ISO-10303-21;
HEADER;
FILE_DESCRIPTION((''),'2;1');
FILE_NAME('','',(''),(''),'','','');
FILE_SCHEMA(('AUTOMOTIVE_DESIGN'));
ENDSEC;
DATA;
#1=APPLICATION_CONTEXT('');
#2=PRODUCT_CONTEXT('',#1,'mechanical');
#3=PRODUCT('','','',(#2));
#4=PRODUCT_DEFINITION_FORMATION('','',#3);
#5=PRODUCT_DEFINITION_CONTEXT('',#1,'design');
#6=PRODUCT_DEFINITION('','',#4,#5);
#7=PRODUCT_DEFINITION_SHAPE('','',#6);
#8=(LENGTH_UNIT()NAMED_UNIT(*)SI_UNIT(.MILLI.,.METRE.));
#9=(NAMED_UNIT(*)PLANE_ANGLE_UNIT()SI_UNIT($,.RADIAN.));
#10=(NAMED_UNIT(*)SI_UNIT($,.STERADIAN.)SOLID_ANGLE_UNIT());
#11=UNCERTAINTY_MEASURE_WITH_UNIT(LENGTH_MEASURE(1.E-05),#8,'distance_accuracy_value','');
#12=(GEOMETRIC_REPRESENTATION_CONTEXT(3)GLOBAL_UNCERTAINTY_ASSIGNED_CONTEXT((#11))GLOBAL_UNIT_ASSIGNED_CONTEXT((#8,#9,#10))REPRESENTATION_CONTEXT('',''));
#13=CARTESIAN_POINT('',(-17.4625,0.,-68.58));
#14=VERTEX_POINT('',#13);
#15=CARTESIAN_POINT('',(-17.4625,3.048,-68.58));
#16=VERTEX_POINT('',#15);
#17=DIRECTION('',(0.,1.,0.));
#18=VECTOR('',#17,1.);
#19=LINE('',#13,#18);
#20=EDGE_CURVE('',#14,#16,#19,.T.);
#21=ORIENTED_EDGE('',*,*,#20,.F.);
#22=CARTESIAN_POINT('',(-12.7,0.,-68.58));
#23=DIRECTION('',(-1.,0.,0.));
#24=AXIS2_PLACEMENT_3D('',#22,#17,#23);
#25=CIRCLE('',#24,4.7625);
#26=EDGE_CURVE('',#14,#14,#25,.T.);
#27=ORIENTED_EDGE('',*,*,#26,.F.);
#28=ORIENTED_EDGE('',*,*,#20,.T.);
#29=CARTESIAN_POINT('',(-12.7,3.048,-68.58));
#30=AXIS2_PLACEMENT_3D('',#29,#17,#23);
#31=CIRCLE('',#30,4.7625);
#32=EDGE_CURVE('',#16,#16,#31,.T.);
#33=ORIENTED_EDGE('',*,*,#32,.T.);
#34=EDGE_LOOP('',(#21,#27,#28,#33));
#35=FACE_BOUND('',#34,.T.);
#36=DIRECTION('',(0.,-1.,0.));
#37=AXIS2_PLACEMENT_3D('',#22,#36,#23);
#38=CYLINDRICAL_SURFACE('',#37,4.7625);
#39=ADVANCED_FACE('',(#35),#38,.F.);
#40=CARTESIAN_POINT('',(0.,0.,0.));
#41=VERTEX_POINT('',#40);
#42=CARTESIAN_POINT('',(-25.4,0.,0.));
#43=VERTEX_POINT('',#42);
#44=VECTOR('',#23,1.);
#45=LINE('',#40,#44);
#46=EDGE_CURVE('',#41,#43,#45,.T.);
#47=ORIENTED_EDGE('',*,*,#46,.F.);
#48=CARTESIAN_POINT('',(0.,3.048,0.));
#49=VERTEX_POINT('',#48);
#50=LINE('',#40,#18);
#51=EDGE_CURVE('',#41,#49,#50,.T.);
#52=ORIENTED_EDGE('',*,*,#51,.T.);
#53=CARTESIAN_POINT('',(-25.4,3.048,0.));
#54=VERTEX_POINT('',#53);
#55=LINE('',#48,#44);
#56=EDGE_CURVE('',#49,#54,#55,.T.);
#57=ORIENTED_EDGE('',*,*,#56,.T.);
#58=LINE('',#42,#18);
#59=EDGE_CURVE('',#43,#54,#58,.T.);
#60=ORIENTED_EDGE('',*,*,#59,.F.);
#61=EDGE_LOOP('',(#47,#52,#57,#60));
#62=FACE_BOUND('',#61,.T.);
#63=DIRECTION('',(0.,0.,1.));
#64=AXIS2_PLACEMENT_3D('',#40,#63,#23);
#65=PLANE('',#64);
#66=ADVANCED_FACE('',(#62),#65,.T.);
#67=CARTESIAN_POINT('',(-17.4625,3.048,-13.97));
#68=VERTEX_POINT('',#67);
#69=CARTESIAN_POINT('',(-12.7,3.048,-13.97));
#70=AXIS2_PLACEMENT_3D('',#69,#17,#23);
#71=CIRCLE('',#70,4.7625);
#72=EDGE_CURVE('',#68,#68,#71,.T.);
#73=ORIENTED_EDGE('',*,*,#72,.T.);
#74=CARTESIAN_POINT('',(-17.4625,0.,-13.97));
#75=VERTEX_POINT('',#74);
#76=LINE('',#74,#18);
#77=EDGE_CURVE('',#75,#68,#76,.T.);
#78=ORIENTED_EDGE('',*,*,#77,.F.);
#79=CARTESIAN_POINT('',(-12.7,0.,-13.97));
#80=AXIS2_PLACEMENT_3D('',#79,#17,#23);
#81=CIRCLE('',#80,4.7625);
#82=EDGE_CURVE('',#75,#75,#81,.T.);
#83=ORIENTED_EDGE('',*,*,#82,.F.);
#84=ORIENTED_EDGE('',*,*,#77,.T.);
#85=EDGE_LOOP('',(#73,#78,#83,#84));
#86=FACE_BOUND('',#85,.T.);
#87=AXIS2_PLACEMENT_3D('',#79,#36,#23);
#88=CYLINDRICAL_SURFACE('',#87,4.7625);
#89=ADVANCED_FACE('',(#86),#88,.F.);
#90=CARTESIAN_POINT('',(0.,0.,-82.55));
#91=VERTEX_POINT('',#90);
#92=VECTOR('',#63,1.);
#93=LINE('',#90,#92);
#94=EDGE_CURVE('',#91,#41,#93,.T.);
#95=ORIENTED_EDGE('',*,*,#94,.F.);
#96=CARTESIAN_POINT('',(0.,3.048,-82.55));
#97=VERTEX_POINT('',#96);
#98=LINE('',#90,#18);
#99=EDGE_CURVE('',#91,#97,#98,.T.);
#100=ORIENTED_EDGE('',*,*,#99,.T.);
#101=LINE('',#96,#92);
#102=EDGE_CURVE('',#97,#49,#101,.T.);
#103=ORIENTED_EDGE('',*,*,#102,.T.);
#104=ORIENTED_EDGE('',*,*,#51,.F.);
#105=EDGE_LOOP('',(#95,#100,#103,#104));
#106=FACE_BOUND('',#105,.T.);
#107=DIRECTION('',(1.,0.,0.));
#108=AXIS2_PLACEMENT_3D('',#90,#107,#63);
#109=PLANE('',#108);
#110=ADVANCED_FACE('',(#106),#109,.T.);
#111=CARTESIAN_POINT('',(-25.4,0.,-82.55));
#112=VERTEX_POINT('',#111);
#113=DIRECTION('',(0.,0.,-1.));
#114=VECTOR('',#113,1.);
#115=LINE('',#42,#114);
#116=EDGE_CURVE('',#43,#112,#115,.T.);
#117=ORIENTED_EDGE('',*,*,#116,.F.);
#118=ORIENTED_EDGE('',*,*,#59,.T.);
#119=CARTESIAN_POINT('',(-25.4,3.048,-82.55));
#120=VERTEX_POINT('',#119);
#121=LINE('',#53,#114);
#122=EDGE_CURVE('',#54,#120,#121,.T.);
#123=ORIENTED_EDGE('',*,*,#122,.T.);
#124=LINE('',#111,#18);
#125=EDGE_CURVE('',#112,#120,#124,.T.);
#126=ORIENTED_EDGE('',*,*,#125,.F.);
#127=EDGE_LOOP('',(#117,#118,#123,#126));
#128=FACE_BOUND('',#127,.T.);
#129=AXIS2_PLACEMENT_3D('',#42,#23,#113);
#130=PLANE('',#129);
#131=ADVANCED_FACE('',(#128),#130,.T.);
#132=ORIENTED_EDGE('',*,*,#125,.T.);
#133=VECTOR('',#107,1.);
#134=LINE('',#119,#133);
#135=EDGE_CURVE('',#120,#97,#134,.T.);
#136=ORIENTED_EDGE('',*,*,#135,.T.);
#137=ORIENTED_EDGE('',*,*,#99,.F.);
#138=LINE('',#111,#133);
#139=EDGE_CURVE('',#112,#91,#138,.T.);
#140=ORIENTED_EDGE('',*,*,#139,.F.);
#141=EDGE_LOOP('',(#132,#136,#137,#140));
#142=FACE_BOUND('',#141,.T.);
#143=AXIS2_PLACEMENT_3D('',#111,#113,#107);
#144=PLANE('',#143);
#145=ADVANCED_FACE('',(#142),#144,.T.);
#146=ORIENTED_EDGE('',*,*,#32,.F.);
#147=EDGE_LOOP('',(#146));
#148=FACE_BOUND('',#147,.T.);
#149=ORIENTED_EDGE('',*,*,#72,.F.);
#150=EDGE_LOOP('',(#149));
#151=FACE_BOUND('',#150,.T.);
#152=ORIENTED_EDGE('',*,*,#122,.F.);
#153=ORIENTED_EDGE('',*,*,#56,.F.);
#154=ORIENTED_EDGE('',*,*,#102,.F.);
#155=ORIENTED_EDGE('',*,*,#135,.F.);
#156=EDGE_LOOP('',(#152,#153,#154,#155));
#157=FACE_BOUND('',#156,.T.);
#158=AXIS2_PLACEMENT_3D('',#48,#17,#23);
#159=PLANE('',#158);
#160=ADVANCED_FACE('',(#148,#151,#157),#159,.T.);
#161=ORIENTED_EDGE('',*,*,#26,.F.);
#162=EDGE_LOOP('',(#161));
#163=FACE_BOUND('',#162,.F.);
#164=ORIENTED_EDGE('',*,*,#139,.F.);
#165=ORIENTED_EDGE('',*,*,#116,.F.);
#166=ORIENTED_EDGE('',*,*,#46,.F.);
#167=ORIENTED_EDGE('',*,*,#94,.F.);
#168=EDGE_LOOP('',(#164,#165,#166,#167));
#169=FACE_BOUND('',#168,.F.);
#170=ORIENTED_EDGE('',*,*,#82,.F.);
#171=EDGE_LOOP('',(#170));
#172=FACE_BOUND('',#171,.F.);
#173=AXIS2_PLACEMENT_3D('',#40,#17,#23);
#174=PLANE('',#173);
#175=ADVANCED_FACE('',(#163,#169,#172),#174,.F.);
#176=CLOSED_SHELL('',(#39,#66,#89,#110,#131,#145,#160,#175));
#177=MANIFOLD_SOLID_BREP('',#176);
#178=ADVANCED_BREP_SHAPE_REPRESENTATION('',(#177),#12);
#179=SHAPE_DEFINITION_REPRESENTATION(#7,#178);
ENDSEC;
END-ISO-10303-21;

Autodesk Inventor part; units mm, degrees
ref_plane "YZ Plane" through (0, 0, 0) normal (1, 0, 0) x (0, 1, 0)
ref_plane "XZ Plane" through (0, 0, 0) normal (0, 1, 0) x (-1, 0, 0)
ref_plane "XY Plane" through (0, 0, 0) normal (0, 0, 1) x (1, 0, 0)
sketch "Sketch1" plane through (0, 0, 0) normal (0, 1, 0) x (-1, 0, 0)
  line L0 (0, 0) -> (25.4, 0)
  line L1 (25.4, 0) -> (25.4, -82.55)
  line L2 (25.4, -82.55) -> (0, -82.55)
  line L3 (0, -82.55) -> (0, 0)
  circle A0 centre (12.7, -13.97) radius 4.7625
  circle A1 centre (12.7, -68.58) radius 4.7625
  dimension "d0" = 25.4
  dimension "d1" = 82.55
  dimension "d2" = 9.525
  dimension "d3" = 9.525
extrude "Plate1" add sketch "Sketch1" along normal blind 3.048
equation "\"d4\" = Thickness"
equation "\"BendRadius\" = Thickness"
equation "\"BendReliefWidth\" = Thickness"
equation "\"BendReliefDepth\" = 0.5 * Thickness"
equation "\"CornerReliefSize\" = 4 * Thickness"
equation "\"MinimumRemnant\" = 2 * Thickness"
equation "\"TransitionRadius\" = BendRadius"
equation "\"JacobiRadiusSize\" = BendRadius"
equation "\"GapSize\" = Thickness"
equation "\"Thickness\" = 3.048"
properties part number "3.25x1"
